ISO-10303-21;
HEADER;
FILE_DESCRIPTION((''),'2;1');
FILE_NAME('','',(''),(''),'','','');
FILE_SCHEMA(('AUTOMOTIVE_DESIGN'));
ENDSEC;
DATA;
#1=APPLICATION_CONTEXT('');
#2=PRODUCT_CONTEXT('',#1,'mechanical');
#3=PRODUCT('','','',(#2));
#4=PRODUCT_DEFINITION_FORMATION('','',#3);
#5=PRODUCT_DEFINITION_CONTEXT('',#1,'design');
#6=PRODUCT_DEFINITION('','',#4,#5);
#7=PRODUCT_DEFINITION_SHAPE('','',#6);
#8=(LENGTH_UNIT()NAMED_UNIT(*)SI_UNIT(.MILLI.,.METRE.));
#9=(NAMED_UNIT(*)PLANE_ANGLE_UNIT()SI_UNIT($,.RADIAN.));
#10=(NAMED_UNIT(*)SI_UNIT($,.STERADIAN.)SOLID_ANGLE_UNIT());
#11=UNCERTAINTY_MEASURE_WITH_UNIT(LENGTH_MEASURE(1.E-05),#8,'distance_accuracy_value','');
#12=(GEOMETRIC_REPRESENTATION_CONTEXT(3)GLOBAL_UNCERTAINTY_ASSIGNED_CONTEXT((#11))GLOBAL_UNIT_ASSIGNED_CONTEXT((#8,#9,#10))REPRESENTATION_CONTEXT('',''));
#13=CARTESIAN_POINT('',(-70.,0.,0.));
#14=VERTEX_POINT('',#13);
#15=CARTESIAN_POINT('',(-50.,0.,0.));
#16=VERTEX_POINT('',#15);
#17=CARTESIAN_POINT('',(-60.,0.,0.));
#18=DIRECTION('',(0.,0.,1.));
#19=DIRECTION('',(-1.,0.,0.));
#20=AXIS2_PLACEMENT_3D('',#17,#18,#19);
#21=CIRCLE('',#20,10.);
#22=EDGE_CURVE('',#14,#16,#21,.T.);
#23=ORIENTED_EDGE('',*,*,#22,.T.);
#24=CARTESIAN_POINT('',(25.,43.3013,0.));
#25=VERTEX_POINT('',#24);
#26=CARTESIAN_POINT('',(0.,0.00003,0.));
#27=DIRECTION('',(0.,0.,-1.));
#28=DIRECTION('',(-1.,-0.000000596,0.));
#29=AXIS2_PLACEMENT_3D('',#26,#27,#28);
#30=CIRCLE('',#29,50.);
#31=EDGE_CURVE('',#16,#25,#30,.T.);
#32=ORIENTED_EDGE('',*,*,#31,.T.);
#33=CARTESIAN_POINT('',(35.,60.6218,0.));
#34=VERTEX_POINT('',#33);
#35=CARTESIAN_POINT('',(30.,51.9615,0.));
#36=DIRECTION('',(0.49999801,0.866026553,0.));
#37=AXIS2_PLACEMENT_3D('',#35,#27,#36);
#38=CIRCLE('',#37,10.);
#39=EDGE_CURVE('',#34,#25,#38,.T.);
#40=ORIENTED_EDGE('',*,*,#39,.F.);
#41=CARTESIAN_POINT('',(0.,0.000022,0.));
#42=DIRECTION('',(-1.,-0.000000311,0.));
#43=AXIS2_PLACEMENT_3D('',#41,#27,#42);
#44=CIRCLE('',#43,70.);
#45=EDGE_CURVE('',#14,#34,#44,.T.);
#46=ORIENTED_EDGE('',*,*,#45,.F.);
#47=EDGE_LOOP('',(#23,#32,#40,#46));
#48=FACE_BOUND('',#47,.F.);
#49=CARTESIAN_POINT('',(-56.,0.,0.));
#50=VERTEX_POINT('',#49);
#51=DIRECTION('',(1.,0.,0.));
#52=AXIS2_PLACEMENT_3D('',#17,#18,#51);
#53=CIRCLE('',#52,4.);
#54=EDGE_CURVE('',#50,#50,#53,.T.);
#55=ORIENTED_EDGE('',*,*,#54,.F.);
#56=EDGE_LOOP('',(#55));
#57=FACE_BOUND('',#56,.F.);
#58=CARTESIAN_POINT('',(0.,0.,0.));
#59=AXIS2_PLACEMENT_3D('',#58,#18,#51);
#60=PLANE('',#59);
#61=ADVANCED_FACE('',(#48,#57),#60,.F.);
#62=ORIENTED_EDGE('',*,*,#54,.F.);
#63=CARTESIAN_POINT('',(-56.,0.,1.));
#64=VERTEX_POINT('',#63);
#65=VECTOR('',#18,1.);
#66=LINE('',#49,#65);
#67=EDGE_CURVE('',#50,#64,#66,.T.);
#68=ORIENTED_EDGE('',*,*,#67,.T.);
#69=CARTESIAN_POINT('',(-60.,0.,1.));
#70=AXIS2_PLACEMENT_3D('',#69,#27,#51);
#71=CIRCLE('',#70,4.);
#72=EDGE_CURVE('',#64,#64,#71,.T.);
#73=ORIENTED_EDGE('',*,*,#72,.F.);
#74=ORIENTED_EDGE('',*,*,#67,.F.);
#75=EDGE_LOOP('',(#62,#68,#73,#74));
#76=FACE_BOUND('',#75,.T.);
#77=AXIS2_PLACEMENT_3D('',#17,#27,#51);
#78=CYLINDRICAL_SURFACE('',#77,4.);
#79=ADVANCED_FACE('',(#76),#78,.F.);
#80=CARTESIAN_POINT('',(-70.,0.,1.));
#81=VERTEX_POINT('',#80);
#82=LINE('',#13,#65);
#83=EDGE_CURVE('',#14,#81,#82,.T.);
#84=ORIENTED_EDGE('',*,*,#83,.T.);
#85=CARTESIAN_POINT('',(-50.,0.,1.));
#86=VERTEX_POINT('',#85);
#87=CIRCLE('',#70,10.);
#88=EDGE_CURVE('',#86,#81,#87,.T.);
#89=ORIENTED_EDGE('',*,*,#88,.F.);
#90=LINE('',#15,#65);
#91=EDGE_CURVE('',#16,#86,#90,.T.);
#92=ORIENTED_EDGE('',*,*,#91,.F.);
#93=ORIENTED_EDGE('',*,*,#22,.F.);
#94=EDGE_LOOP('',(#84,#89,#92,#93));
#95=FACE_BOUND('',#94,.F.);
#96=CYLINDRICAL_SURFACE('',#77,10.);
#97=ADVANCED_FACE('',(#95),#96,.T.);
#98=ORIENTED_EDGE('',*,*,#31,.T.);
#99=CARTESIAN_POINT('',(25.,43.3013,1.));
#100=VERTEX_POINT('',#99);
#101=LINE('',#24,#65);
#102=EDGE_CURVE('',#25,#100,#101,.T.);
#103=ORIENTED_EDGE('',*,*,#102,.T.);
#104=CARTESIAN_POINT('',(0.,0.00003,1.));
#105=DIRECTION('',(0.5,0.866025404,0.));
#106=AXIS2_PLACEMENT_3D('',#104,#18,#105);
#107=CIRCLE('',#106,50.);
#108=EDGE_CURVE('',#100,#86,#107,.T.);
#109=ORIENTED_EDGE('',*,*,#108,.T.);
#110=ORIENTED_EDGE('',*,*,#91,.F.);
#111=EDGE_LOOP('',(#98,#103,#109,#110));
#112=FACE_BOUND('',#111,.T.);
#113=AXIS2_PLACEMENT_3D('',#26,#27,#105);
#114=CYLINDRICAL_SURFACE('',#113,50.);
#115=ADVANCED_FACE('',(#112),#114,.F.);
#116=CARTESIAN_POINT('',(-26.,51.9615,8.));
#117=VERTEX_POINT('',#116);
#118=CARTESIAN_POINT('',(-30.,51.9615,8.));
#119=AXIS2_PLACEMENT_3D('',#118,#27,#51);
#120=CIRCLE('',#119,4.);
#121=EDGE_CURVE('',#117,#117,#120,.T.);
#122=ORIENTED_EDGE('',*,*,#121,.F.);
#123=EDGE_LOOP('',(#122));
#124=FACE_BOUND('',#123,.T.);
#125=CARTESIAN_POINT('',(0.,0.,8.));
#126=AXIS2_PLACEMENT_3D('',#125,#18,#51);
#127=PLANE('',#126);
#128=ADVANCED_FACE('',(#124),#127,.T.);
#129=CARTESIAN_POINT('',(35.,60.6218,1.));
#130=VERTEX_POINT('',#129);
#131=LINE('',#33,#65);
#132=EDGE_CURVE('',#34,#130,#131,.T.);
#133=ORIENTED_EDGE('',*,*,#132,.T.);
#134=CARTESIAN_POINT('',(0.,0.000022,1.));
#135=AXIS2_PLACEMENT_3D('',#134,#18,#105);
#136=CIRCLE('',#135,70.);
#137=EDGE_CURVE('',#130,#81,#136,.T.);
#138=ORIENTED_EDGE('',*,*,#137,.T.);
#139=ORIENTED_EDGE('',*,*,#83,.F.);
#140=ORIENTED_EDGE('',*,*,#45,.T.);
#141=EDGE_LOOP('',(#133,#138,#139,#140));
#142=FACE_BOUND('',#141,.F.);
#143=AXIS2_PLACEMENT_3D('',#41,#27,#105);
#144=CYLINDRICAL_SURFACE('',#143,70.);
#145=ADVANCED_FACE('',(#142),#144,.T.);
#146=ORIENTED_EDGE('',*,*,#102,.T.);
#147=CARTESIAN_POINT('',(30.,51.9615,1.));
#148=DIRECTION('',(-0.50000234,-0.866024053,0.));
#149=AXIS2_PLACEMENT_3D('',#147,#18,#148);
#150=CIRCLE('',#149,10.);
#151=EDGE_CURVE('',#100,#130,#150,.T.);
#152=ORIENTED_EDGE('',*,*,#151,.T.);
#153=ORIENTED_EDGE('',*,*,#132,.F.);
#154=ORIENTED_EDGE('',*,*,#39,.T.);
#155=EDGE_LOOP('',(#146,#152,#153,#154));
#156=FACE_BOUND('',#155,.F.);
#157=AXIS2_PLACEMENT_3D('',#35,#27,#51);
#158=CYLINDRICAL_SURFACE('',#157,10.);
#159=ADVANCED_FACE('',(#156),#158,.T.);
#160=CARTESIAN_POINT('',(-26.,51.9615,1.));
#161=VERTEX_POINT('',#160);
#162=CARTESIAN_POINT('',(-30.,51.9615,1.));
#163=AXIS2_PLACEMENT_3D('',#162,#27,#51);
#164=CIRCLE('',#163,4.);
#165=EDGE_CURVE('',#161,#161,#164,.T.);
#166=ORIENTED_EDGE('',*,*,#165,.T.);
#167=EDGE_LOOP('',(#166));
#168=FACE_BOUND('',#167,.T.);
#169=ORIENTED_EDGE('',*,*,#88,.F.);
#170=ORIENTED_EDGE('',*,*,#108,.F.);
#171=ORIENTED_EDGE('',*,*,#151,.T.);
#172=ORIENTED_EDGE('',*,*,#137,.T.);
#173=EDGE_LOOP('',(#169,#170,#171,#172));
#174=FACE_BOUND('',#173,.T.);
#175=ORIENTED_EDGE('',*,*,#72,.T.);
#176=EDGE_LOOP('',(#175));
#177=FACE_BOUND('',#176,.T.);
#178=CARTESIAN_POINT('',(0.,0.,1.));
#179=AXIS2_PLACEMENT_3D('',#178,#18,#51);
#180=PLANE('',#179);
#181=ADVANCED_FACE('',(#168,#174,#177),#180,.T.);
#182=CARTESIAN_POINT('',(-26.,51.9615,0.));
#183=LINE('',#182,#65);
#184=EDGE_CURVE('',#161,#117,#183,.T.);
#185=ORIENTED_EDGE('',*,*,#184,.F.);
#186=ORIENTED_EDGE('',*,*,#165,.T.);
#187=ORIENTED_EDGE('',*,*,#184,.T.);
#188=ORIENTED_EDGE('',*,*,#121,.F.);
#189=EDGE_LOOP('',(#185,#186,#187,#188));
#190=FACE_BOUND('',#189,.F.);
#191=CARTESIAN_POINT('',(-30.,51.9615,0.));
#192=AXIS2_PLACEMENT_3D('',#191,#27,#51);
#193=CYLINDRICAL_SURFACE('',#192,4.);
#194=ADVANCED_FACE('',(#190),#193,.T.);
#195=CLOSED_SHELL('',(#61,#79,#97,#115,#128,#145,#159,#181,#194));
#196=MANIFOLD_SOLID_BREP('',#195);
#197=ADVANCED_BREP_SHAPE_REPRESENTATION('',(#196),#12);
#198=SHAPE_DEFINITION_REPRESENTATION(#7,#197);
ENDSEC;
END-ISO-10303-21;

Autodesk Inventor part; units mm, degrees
ref_plane "YZ Plane" through (0, 0, 0) normal (1, 0, 0) x (0, 1, 0)
ref_plane "XZ Plane" through (0, 0, 0) normal (0, 1, 0) x (-1, 0, 0)
ref_plane "XY Plane" through (0, 0, 0) normal (0, 0, 1) x (1, 0, 0)
sketch "Sketch1" plane through (0, 0, 0) normal (0, 0, 1) x (1, 0, 0)
  circle A0 centre (0, 0) radius 50 construction
  line L0 (0, 0) -> (-60, 0)
  circle A1 centre (-60, 0) radius 10
  line L1 (0, 0) -> (-23.6561, 40.9735) construction
  line L2 (0, 0) -> (-50, 0) construction
  line L3 (0, 0) -> (-25, -43.3013)
  line L4 (0, 0) -> (50, 0) construction
  line L5 (0, 0) -> (65, 0) construction
  line L6 (0, 0) -> (30, 51.9615)
  line L7 (0, 0) -> (60, 0) construction
  circle A2 centre (30, 51.9615) radius 10
  arc A3 (35, 60.6218) -> (-70, 0) centre (0, 0) ccw
  arc A4 (25, 43.3013) -> (-50, 0) centre (0, 0) ccw
  line L8 (0, 0) -> (25, 43.3013) construction
  line L9 (0, 0) -> (-50, 0) construction
  line L10 (-60, 0) -> (-63.75, -6.4952)
  line L11 (-60, 0) -> (-52.5, 0) construction
  circle A5 centre (-60, 0) radius 4
  circle A6 centre (-63.75, -6.4952) radius 2.5
  circle A7 centre (0, 0) radius 75 construction
  line L12 (0, 0) -> (-75, 0) construction
  circle A8 centre (-75, 0) radius 5
  line L13 (-25, 43.3013) -> (-35, 60.6218)
  line L14 (0, 0) -> (70, 0) construction
  circle A9 centre (-30, 51.9615) radius 4
  point P0 (25, 43.3013)
  point P1 (-62, -3.4641)
  point P2 (-56, 0)
  dimension "d14" = 20
  dimension "d23" = 150
  dimension "d0" = 100
  dimension "d1" = 60
  dimension "d2" = 20
  dimension "d3" = 60
  dimension "d4" = 120
  dimension "d12" = 60
  dimension "d13" = 60
  dimension "d15" = 120
  dimension "d19" = 7.5
  dimension "d20" = 120
  dimension "d21" = 8
  dimension "d22" = 5
  dimension "d24" = 10
  dimension "d25" = 120
  dimension "d26" = 60
  dimension "d27" = 8
extrude "Extrusion1" add sketch "Sketch1" along normal blind 1 contours A1 A6 L10 A5 L0 | L0 A5 L10 A6 A1 | A1 A3 L13 A9 A4 | A4 L13 A9 A3 A2 | A2 | A6 | A9 L13 | L13 A9
extrude "Extrusion2" add sketch "Sketch1" along normal blind 8 contours A9 L13 | L13 A9
